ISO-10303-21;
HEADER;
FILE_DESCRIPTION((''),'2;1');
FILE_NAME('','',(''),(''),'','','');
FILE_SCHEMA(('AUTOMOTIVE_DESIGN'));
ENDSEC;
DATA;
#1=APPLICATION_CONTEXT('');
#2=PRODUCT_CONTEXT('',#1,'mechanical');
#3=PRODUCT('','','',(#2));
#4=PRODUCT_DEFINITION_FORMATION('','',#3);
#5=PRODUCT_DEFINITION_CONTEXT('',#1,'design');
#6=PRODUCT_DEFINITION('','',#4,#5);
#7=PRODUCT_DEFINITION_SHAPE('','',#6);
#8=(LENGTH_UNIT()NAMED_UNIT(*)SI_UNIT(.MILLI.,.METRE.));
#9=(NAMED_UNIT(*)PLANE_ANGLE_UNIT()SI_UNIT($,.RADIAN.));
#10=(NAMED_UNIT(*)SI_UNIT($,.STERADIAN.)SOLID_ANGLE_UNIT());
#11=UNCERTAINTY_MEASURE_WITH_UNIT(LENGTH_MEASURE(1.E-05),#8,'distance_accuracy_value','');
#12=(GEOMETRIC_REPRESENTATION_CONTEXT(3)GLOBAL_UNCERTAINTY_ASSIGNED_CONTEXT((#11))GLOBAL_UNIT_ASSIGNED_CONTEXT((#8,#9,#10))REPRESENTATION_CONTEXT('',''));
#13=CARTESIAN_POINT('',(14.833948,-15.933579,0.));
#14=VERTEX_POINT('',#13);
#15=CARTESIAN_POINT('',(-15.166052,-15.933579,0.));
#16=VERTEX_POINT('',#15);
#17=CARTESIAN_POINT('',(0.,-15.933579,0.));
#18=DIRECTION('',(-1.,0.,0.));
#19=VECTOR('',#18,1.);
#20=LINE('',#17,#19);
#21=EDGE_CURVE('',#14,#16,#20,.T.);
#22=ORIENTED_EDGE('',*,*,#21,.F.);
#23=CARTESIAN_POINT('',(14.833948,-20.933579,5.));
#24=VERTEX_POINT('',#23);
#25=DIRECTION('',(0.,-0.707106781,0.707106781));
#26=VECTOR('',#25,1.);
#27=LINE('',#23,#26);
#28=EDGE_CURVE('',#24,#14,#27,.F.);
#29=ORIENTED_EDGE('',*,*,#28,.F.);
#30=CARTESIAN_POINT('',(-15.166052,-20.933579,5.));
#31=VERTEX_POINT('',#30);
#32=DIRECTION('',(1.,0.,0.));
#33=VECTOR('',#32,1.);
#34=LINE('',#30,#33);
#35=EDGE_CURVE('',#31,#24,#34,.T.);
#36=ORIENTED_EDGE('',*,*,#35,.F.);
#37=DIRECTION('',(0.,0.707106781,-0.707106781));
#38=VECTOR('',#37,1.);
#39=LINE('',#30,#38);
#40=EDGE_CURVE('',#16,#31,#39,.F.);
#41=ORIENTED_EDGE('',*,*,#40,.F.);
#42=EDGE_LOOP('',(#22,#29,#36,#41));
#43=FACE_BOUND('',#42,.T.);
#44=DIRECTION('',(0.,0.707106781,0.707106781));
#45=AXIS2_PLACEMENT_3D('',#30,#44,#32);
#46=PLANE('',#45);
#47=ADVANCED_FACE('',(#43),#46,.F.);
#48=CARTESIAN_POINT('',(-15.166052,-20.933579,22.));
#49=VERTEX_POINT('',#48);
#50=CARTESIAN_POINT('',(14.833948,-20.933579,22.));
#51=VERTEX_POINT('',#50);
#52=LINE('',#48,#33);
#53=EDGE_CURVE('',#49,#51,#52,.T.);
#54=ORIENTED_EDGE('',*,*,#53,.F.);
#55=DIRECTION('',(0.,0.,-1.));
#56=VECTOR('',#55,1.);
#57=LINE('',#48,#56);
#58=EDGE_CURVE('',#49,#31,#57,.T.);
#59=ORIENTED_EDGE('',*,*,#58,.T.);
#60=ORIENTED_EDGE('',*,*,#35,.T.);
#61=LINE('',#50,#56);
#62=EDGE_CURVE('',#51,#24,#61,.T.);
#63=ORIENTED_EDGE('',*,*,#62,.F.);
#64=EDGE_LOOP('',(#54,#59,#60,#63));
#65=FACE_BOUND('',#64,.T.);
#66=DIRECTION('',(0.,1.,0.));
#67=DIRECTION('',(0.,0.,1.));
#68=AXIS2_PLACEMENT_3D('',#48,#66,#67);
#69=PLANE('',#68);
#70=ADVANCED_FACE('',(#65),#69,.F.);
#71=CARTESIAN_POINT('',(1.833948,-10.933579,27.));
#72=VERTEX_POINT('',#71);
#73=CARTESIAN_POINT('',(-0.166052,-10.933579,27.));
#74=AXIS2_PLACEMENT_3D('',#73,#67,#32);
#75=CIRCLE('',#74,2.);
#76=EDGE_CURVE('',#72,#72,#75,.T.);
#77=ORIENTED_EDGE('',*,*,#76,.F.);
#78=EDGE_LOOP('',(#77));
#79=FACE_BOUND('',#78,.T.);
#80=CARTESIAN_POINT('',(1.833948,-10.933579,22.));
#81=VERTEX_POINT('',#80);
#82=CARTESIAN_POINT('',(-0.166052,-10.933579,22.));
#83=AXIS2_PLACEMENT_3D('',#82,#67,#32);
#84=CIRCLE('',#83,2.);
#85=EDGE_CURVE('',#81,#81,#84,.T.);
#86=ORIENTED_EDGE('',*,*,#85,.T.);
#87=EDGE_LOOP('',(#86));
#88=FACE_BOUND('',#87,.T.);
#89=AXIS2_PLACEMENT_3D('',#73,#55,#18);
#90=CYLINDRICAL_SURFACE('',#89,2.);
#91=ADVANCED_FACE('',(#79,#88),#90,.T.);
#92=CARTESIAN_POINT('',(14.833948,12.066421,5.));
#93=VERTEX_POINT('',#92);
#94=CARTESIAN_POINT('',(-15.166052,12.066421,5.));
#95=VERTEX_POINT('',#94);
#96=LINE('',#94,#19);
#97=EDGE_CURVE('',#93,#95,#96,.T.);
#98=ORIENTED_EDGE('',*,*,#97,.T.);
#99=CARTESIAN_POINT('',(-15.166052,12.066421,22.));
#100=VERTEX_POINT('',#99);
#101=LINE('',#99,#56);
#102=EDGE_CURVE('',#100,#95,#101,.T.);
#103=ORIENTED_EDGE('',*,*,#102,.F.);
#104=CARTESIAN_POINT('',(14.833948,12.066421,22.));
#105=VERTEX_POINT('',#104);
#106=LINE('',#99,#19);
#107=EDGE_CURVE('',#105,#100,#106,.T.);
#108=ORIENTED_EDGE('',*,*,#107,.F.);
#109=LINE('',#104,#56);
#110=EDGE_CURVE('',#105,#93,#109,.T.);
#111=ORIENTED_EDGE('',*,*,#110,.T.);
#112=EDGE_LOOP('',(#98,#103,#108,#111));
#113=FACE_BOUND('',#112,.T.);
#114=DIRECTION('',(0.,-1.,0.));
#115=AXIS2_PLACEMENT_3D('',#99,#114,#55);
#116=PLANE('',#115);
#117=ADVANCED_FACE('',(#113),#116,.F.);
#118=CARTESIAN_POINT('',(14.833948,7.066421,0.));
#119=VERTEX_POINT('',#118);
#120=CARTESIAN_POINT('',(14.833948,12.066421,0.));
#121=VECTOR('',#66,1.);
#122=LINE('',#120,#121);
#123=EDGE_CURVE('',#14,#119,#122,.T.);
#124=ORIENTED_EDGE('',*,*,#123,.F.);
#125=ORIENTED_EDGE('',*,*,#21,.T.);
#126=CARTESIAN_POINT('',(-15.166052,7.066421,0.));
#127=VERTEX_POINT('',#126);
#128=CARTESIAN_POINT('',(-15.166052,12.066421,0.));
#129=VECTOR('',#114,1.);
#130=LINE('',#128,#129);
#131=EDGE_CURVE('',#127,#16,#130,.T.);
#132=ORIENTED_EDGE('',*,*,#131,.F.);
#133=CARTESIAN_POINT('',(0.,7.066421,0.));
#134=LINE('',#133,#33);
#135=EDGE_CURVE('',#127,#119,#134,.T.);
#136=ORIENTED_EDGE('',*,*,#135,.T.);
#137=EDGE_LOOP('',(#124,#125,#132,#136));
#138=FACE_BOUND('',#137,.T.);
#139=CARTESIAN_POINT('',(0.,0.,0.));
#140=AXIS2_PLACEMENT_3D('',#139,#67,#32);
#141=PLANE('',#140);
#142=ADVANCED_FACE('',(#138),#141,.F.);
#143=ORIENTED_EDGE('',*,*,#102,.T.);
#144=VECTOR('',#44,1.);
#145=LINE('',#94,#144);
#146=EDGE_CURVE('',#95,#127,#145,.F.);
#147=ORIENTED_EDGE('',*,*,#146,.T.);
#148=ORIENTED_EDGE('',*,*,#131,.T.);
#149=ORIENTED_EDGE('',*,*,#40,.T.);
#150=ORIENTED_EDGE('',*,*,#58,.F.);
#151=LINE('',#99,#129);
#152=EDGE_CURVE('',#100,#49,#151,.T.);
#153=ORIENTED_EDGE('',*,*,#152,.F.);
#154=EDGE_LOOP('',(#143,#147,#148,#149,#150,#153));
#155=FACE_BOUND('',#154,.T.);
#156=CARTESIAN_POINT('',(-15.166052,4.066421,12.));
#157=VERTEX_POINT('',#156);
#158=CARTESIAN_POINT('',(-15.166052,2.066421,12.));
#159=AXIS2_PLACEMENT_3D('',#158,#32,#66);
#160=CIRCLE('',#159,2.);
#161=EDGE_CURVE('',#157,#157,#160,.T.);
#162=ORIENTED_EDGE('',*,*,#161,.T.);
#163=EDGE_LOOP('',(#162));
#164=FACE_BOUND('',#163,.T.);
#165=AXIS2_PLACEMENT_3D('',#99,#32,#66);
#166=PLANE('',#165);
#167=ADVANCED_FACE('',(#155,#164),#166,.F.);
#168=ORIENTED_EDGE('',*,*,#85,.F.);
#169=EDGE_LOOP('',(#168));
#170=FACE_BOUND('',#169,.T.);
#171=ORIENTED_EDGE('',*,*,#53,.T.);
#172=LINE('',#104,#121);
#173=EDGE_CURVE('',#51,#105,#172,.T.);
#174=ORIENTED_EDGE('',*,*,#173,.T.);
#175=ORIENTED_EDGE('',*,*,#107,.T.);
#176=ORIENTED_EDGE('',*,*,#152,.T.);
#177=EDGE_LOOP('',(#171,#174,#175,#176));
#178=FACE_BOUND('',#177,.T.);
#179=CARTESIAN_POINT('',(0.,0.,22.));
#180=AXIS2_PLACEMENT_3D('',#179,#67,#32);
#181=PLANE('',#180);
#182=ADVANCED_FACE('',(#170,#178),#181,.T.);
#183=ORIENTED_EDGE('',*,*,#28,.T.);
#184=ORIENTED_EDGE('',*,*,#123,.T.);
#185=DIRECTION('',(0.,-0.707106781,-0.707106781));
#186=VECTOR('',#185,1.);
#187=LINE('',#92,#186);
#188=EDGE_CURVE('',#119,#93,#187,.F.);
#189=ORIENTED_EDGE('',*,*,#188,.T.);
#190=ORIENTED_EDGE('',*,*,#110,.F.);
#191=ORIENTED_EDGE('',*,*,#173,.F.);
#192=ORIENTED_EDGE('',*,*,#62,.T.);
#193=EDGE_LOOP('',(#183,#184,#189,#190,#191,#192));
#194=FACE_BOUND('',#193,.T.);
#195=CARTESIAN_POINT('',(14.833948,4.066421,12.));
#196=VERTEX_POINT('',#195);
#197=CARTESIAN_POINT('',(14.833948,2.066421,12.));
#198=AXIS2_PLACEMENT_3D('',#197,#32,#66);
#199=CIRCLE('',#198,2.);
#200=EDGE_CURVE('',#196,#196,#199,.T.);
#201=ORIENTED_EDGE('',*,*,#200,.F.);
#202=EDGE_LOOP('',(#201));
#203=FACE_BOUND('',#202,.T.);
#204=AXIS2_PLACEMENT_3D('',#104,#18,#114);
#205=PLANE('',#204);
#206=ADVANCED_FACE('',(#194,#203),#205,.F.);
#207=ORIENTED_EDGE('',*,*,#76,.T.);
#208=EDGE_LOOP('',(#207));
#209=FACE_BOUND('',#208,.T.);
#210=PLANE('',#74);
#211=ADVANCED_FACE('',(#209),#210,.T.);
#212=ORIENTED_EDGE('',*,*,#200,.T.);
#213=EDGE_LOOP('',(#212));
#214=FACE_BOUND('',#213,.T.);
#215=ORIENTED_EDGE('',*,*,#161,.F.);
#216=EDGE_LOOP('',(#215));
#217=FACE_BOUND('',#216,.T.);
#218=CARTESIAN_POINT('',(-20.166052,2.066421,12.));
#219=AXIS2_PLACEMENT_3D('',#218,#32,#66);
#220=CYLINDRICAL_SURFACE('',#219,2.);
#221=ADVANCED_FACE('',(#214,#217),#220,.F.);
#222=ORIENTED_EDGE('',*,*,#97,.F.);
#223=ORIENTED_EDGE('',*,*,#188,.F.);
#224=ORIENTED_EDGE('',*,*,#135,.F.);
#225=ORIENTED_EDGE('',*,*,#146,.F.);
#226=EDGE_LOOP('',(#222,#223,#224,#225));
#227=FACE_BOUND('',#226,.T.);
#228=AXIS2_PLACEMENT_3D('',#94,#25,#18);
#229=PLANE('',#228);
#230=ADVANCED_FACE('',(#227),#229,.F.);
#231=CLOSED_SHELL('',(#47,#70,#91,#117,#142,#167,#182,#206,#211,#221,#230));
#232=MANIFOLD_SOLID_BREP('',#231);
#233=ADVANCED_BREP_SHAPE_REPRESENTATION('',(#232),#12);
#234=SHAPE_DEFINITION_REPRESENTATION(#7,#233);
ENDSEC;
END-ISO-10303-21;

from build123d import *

# Parameters (mm, degrees)
CROQUIS1_W              = 30
CROQUIS1_H              = 33
SALIENTE_EXTRUIR1_DEPTH = 22
CHAFL_N1_SIZE           = 5
CHAFL_N2_SIZE           = 5
CROQUIS3_R              = 2
CORTAR_EXTRUIR1_DEPTH   = 35
CROQUIS2_R              = 2
SALIENTE_EXTRUIR2_DEPTH = 5


with BuildPart() as part:
    # Croquis1 → Saliente-Extruir1 (new body)
    with BuildSketch(Plane.XY):
        with Locations((-0.166051661, -4.433579336)):
            Rectangle(CROQUIS1_W, CROQUIS1_H)
    extrude(amount=SALIENTE_EXTRUIR1_DEPTH)

    # Chaflán1
    chafl_n1_edges = [part.edges().sort_by_distance(p)[0] for p in [
        (-0.166051661, 12.066420664, 0),
    ]]
    chamfer(chafl_n1_edges, length=CHAFL_N1_SIZE)

    # Chaflán2
    chafl_n2_edges = [part.edges().sort_by_distance(p)[0] for p in [
        (-0.166051661, -20.933579336, 0),
    ]]
    chamfer(chafl_n2_edges, length=CHAFL_N2_SIZE)

    # Croquis3 → Cortar-Extruir1 (cut)
    with BuildSketch(Plane(origin=(14.833948339, 0, 0), x_dir=(0, 0, -1), z_dir=(1, 0, 0))):
        with Locations(Location((-12, 2.066420664, 0), (0, 0, 90))):
            Circle(CROQUIS3_R)
    extrude(amount=-CORTAR_EXTRUIR1_DEPTH, mode=Mode.SUBTRACT)

    # Croquis2 → Saliente-Extruir2 (add)
    with BuildSketch(Plane.XY.offset(22)):
        with Locations((-0.166051661, -10.933579336)):
            Circle(CROQUIS2_R)
    extrude(amount=SALIENTE_EXTRUIR2_DEPTH)


solid = part.part
